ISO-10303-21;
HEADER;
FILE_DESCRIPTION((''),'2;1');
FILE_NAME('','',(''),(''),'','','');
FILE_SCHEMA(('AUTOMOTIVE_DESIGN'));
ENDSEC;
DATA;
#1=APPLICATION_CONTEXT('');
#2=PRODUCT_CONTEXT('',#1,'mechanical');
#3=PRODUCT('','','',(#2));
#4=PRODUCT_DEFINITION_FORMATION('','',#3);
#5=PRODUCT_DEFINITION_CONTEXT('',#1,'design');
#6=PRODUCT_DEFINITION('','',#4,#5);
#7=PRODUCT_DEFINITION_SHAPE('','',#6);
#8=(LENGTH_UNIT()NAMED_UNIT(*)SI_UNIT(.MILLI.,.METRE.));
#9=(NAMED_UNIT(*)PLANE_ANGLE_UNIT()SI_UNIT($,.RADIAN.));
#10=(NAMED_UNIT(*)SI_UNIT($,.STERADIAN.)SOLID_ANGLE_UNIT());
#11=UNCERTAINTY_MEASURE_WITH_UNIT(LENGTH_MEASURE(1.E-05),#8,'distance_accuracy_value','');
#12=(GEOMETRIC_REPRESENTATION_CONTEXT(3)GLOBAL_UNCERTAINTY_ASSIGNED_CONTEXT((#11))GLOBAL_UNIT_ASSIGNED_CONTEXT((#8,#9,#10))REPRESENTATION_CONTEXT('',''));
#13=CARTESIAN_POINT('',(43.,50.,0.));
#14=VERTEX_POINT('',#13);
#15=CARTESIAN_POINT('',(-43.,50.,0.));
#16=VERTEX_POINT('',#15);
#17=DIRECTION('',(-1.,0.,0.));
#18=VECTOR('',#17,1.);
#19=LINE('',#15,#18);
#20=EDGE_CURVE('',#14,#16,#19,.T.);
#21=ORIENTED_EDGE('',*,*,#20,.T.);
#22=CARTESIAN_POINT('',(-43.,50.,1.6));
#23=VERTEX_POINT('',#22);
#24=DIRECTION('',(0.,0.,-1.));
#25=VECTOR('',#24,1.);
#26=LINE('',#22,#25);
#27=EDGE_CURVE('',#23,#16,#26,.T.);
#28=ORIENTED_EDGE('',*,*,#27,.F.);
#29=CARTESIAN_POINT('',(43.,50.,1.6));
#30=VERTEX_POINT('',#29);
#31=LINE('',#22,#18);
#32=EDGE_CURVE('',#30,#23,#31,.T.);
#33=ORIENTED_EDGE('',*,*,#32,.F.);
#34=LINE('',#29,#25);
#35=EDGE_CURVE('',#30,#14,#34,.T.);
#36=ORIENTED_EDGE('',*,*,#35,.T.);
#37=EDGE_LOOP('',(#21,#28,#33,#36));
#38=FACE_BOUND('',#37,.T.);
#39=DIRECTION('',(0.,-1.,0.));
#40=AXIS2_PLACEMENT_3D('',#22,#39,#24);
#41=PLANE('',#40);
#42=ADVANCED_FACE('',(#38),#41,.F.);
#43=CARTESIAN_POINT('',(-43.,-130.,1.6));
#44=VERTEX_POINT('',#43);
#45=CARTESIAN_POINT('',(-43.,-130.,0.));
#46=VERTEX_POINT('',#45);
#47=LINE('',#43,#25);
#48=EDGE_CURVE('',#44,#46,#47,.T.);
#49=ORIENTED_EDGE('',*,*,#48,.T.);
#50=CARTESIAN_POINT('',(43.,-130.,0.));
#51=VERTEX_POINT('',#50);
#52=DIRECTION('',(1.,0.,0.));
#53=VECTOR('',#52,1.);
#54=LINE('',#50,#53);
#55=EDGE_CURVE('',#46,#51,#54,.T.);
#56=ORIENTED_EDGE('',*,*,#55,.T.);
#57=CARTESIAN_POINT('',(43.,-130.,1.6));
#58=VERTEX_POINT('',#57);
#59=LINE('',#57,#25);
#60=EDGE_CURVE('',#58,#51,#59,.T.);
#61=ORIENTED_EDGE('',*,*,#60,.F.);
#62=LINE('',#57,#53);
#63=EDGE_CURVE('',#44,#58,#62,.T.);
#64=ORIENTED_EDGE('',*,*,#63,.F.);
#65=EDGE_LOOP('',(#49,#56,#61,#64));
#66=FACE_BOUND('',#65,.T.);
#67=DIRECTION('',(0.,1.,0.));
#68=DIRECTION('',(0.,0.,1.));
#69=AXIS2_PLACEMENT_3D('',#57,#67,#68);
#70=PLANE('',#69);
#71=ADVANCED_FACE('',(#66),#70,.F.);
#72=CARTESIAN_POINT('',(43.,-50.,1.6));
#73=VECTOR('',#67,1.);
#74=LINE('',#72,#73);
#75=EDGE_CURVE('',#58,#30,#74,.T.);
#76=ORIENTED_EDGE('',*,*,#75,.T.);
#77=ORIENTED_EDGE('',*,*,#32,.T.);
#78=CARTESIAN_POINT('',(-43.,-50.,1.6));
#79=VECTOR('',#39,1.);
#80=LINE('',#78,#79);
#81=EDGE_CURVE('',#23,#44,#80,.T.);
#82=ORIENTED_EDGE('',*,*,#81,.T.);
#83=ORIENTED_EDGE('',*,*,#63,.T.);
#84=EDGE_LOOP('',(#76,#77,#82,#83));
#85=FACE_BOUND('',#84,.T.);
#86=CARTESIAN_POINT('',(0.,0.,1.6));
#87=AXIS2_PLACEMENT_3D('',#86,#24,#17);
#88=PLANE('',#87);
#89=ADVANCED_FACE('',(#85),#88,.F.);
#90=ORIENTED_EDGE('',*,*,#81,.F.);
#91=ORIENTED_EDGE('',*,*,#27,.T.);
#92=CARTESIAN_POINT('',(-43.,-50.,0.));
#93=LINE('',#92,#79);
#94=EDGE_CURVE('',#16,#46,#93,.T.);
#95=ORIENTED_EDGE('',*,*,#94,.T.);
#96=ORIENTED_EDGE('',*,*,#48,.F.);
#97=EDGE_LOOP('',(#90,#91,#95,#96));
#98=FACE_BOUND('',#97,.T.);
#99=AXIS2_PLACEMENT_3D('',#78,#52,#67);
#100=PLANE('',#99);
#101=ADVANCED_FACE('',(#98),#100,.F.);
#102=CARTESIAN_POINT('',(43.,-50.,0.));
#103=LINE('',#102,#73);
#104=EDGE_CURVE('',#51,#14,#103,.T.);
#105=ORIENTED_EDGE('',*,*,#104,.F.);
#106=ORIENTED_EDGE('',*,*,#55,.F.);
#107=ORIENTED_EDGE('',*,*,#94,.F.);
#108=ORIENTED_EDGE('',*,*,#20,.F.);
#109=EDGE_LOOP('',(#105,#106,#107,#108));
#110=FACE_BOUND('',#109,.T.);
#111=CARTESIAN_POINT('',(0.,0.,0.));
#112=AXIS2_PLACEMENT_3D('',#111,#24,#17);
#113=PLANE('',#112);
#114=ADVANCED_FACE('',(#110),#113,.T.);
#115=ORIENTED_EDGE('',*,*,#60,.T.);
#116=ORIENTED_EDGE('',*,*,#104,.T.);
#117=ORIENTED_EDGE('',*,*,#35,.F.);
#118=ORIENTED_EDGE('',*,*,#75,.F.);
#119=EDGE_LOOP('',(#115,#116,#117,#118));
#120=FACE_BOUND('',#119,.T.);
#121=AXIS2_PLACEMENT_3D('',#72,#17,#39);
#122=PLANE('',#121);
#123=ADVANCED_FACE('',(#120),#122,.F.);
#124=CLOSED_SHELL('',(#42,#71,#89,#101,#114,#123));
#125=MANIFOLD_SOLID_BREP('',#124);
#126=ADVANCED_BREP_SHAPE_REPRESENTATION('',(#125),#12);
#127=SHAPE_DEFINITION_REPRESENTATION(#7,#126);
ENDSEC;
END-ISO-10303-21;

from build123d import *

# Parameters (mm, degrees)
BOSS_EXTRUDE1_DEPTH = 1.6


with BuildPart() as part:
    # Sketch1 → Boss-Extrude1 (new body)
    with BuildSketch(Plane.XY):
        Polygon((-43, -50), (-43, -130), (43, -130), (43, -50), (43, 50), (-43, 50), align=None)
    extrude(amount=BOSS_EXTRUDE1_DEPTH)


solid = part.part
